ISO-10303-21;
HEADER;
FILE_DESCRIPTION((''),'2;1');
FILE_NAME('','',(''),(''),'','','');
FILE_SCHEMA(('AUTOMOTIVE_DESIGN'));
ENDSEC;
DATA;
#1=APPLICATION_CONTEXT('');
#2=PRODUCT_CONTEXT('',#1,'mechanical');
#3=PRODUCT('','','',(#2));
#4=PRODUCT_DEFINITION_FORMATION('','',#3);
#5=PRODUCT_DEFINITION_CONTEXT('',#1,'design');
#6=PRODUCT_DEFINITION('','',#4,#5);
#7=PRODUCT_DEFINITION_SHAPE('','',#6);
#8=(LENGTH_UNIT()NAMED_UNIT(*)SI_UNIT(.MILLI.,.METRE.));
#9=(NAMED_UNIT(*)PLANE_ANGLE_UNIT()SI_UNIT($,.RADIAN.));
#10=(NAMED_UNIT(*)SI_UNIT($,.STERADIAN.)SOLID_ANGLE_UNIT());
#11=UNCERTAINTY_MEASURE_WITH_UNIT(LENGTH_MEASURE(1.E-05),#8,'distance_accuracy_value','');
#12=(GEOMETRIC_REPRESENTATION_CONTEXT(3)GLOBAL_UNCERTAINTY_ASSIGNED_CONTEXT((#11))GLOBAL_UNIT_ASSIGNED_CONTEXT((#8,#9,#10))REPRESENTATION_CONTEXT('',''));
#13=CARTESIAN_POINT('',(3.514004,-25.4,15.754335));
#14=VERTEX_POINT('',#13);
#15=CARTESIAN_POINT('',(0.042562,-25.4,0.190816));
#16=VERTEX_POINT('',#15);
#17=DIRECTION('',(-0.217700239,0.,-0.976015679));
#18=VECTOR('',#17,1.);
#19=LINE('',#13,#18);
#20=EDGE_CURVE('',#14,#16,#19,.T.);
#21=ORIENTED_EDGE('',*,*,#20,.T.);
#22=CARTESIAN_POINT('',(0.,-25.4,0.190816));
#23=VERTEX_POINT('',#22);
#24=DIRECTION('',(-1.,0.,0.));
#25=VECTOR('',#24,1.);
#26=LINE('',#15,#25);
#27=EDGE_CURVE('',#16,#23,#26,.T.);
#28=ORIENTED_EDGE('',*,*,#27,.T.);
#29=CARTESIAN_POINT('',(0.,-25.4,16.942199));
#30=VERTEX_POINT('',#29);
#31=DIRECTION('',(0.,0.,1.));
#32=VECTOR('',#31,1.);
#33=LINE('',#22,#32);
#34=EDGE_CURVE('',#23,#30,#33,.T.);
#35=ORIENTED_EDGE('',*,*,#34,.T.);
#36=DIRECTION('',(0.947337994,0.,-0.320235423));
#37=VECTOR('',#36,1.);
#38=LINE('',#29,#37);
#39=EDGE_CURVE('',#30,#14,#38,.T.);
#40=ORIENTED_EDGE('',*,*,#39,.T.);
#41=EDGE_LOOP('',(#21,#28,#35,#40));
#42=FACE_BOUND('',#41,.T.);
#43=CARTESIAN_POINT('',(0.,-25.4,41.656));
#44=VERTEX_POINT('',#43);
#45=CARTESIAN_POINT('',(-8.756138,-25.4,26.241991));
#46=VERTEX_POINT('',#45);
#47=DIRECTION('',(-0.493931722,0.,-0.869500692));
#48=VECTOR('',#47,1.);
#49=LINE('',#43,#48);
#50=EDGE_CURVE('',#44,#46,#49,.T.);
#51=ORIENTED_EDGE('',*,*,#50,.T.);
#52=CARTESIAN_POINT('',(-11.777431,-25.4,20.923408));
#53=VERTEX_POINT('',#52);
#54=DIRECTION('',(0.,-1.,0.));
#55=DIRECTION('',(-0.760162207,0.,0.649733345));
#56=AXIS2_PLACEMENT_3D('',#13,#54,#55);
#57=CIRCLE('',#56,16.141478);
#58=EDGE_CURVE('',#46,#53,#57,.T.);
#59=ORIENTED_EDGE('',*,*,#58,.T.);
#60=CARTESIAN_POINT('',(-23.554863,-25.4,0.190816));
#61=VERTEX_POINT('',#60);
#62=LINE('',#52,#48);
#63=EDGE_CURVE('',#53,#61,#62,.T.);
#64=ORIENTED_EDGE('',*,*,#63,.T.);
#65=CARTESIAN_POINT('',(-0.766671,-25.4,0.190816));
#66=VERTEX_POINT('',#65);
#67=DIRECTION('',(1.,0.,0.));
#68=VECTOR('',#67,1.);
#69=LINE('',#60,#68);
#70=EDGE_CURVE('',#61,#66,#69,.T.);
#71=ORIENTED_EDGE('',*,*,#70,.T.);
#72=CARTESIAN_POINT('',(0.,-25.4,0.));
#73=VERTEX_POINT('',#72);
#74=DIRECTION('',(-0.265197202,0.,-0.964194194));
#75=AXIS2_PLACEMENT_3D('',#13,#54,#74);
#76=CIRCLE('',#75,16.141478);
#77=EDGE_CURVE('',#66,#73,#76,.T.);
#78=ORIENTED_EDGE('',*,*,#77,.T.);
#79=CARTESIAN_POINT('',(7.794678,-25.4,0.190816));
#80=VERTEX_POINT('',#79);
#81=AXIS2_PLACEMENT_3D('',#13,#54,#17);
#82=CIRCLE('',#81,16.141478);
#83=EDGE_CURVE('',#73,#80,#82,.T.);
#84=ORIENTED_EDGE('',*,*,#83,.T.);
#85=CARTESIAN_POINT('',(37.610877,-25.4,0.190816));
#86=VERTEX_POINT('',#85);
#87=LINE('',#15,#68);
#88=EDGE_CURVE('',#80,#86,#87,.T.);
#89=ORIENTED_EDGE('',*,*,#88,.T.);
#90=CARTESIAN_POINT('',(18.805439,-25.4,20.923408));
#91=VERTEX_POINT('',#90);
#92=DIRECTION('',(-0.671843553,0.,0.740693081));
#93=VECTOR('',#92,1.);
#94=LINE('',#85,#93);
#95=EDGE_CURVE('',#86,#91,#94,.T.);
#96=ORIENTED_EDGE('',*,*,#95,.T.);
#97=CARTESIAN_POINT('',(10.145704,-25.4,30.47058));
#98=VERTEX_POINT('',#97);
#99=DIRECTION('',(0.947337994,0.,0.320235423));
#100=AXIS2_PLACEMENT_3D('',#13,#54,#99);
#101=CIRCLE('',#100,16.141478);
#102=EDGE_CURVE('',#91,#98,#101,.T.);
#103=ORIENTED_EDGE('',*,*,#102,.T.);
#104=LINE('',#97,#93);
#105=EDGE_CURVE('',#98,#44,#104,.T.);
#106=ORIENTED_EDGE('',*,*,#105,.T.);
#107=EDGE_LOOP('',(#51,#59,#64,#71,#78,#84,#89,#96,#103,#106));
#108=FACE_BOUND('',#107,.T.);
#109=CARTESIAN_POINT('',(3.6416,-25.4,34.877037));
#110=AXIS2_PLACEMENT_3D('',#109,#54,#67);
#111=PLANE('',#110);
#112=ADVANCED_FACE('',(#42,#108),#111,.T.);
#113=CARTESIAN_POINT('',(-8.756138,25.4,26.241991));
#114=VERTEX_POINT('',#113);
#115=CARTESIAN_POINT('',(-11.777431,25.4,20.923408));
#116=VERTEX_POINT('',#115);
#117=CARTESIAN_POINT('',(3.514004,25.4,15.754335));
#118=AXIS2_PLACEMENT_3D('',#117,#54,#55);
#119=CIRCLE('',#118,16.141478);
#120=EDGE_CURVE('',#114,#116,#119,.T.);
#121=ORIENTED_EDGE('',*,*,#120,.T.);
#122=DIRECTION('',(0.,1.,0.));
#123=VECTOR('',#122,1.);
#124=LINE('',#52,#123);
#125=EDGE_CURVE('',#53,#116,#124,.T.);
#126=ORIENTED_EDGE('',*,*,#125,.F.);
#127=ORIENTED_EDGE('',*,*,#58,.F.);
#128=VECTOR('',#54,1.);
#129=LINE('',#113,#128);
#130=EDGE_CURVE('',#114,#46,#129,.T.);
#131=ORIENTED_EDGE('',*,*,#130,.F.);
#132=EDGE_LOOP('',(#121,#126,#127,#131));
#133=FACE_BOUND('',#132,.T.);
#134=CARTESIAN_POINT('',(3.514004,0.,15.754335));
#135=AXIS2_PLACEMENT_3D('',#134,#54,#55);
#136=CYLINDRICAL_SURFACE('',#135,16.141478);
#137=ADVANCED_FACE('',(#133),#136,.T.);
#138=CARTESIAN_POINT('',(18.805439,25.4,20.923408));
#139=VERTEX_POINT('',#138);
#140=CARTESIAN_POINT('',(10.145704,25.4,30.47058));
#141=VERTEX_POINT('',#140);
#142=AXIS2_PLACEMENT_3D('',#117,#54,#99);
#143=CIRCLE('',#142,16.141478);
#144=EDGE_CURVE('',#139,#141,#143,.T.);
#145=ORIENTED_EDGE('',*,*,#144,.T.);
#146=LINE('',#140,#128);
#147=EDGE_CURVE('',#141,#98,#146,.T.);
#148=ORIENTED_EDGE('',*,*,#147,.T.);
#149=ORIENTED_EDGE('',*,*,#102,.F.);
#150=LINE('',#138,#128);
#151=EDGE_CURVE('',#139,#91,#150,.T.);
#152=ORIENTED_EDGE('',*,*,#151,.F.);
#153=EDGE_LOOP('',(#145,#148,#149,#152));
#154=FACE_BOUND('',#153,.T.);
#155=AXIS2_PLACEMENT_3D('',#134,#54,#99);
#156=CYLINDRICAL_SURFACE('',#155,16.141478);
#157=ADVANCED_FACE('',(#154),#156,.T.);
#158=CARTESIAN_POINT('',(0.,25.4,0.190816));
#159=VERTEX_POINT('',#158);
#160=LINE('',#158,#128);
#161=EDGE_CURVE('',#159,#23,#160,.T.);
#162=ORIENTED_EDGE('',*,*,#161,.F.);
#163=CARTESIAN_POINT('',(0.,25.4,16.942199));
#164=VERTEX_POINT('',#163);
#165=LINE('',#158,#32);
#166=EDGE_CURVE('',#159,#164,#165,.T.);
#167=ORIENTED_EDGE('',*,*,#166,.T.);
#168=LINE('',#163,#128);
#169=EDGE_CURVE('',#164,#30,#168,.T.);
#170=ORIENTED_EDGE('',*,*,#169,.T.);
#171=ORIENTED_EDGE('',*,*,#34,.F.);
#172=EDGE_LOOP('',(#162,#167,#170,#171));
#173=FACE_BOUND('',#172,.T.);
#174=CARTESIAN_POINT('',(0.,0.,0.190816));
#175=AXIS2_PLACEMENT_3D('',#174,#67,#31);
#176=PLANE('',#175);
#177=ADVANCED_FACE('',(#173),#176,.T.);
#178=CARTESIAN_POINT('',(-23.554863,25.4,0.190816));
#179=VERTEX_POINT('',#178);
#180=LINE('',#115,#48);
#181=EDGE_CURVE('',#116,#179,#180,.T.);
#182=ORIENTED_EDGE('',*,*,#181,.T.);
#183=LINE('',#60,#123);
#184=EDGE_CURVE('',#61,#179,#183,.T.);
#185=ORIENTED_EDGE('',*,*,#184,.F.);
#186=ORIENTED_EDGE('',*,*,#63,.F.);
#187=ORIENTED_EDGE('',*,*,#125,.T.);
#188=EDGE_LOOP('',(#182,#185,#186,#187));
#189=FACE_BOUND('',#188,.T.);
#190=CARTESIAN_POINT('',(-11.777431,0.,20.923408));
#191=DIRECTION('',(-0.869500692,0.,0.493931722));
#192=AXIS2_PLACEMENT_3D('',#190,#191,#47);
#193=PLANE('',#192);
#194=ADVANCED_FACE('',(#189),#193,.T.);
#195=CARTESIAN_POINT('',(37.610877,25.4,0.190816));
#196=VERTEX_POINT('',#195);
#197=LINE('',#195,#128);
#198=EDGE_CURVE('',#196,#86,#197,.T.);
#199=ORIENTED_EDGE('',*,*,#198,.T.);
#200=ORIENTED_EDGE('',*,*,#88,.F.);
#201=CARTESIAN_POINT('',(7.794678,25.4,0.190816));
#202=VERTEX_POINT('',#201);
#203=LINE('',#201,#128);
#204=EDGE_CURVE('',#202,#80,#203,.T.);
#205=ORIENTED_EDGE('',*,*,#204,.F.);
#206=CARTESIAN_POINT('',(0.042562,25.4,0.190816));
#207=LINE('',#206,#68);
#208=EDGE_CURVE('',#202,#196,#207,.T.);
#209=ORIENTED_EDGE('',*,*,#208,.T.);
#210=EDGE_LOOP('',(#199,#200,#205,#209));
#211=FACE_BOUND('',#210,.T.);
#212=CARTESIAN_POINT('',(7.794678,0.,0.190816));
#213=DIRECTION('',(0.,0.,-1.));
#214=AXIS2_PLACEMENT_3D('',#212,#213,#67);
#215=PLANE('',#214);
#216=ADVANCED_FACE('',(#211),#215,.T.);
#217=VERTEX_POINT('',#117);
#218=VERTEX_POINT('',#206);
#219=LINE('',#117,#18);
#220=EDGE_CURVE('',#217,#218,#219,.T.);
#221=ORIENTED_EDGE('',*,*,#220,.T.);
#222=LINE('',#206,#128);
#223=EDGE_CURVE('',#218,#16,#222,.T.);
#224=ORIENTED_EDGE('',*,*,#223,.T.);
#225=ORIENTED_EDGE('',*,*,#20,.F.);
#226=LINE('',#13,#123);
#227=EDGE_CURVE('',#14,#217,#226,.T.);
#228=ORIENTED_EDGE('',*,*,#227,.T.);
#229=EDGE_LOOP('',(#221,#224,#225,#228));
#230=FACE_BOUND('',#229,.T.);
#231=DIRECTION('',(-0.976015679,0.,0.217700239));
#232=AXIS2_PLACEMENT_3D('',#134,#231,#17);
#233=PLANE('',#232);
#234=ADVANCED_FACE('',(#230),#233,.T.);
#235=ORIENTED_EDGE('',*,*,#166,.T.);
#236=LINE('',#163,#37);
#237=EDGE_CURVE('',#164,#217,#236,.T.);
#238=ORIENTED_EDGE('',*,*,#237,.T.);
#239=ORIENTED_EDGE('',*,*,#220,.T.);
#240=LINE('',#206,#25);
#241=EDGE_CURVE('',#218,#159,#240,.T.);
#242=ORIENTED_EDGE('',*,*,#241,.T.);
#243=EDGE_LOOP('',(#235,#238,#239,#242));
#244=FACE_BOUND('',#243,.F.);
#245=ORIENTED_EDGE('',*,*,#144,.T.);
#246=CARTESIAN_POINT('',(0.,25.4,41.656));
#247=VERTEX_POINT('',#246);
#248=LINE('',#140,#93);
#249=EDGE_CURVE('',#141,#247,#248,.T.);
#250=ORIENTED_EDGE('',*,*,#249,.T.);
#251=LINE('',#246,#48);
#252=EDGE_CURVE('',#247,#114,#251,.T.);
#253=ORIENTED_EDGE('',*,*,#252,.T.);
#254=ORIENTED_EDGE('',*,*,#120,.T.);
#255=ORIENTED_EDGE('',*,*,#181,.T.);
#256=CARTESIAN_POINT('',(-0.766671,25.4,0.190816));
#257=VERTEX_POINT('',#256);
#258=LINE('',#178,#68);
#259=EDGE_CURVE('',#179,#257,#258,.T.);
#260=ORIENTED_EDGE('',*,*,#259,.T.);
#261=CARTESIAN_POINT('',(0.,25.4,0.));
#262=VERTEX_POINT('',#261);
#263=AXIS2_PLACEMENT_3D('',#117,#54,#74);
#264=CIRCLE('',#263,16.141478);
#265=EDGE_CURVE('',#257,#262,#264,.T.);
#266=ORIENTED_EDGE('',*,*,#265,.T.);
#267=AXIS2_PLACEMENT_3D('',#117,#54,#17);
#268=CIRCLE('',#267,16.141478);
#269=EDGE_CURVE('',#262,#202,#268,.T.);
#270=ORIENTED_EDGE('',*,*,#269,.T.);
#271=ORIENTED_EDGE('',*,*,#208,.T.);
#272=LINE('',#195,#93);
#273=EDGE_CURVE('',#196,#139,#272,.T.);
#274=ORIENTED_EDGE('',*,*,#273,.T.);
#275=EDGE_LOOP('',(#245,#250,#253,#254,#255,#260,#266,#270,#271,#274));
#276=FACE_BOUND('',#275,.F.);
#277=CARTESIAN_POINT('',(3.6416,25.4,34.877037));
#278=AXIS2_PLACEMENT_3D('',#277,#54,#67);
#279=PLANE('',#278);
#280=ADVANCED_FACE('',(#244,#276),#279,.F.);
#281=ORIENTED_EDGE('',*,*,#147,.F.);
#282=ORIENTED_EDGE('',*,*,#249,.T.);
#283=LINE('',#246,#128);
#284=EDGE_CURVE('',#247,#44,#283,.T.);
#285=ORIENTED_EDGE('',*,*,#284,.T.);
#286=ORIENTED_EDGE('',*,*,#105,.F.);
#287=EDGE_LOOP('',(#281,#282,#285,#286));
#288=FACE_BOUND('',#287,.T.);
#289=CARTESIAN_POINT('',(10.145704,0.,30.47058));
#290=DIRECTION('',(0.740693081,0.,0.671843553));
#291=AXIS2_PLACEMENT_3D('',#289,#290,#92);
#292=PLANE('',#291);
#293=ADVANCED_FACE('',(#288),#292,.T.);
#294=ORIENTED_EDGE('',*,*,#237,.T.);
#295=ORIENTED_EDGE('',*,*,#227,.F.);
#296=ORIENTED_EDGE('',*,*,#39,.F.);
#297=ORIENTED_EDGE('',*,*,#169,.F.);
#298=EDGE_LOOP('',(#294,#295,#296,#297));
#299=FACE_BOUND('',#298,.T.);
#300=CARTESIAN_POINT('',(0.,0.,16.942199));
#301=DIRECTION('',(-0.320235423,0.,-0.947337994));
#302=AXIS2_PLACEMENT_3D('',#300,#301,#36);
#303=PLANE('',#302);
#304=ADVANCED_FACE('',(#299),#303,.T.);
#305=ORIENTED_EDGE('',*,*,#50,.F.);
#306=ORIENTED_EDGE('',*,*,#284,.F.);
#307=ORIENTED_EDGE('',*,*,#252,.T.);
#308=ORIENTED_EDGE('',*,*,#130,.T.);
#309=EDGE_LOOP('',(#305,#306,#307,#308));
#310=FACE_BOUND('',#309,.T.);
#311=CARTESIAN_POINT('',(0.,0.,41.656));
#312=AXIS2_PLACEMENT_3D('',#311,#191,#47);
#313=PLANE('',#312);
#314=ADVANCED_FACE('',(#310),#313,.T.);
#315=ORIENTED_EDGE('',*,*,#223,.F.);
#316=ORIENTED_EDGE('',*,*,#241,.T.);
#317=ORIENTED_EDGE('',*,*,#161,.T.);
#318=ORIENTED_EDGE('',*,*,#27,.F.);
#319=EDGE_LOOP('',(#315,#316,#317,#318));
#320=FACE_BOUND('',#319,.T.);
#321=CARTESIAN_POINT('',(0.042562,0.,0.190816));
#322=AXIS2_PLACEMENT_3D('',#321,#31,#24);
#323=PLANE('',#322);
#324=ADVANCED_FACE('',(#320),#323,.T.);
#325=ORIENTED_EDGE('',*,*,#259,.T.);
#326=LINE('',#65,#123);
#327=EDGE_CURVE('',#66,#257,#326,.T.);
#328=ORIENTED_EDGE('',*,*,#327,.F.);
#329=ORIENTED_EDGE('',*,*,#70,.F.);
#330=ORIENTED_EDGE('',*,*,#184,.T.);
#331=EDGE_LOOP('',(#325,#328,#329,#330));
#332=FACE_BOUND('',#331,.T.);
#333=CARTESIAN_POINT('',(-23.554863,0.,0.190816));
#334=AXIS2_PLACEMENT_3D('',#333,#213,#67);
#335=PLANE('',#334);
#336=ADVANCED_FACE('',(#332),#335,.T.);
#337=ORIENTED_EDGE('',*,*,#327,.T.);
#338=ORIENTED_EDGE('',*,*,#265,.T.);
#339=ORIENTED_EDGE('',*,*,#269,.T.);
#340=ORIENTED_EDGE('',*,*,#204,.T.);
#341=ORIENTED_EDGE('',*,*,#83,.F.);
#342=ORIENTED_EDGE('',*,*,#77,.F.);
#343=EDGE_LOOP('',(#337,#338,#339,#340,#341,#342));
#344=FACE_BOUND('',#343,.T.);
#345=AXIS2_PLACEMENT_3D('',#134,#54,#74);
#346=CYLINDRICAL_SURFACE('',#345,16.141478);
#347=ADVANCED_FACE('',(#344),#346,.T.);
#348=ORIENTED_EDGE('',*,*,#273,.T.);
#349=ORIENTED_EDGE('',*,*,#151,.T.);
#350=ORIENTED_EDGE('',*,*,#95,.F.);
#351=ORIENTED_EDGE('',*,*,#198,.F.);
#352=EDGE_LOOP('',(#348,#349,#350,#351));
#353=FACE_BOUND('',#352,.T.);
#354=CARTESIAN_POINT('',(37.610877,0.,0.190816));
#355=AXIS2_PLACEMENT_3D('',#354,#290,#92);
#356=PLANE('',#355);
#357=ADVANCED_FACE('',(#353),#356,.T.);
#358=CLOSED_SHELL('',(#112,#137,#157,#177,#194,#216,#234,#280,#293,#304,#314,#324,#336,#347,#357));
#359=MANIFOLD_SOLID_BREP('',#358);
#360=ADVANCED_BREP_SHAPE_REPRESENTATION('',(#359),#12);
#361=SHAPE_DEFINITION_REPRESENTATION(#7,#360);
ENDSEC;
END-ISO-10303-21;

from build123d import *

# Parameters (mm, degrees)
F1_DEPTH = 25.4


with BuildPart() as f1:
    # F0 (on Front) → F1 (new body, symmetric)
    with BuildSketch(Plane.XZ):
        with BuildLine():
            Line((10.1457036672, 30.470579724), (0, 41.656))
            Line((0, 41.656), (0, 31.508670436))
            ThreePointArc((0, 31.508670436), (5.1569935227, 31.8119777257), (10.1457036672, 30.470579724))
        make_face()
        with BuildLine():
            Line((0, 31.508670436), (0, 41.656))
            Line((0, 41.656), (-8.756137699, 26.2419914434))
            ThreePointArc((-8.756137699, 26.2419914434), (-4.8058091687, 29.5864722756), (0, 31.508670436))
        make_face()
        with BuildLine():
            ThreePointArc((10.1457036672, 30.470579724), (5.1569935227, 31.8119777257), (0, 31.508670436))
            Line((0, 31.508670436), (0, 16.9421989105))
            Line((0, 16.9421989105), (3.5140035349, 15.754335218))
            Line((3.5140035349, 15.754335218), (18.8054385349, 20.9234081179))
            Line((18.8054385349, 20.9234081179), (10.1457036672, 30.470579724))
        make_face()
        with BuildLine():
            Line((0, 16.9421989105), (0, 31.508670436))
            ThreePointArc((0, 31.508670436), (-4.8058091687, 29.5864722756), (-8.756137699, 26.2419914434))
            Line((-8.756137699, 26.2419914434), (-11.7774314651, 20.9234081179))
            Line((-11.7774314651, 20.9234081179), (0, 16.9421989105))
        make_face()
        with BuildLine():
            Line((-11.7774314651, 20.9234081179), (-8.756137699, 26.2419914434))
            ThreePointArc((-8.756137699, 26.2419914434), (-10.5210224099, 23.7271230448), (-11.7774314651, 20.9234081179))
        make_face()
        with BuildLine():
            ThreePointArc((18.8054385349, 20.9234081179), (15.4698843024, 26.5988828839), (10.1457036672, 30.470579724))
            Line((10.1457036672, 30.470579724), (18.8054385349, 20.9234081179))
        make_face()
        with BuildLine():
            Line((0, 0.1908162359), (0, 16.9421989105))
            Line((0, 16.9421989105), (-11.7774314651, 20.9234081179))
            ThreePointArc((-11.7774314651, 20.9234081179), (-10.7417658612, 8.1833156084), (-0.7666711662, 0.1908162359))
            Line((-0.7666711662, 0.1908162359), (0, 0.1908162359))
        make_face()
        with BuildLine():
            ThreePointArc((-0.7666711662, 0.1908162359), (-10.7417658612, 8.1833156084), (-11.7774314651, 20.9234081179))
            Line((-11.7774314651, 20.9234081179), (-23.5548629301, 0.1908162359))
            Line((-23.5548629301, 0.1908162359), (-0.7666711662, 0.1908162359))
        make_face()
        with BuildLine():
            Line((37.6108770699, 0.1908162359), (18.8054385349, 20.9234081179))
            ThreePointArc((18.8054385349, 20.9234081179), (19.4415528517, 18.3735854476), (19.6554811316, 15.754335218))
            ThreePointArc((19.6554811316, 15.754335218), (16.35230003, 5.9703972527), (7.7946782361, 0.1908162359))
            Line((7.7946782361, 0.1908162359), (37.6108770699, 0.1908162359))
        make_face()
        with BuildLine():
            ThreePointArc((19.6554811316, 15.754335218), (19.4415528517, 18.3735854476), (18.8054385349, 20.9234081179))
            Line((18.8054385349, 20.9234081179), (3.5140035349, 15.754335218))
            Line((3.5140035349, 15.754335218), (0.0425615501, 0.1908162359))
            Line((0.0425615501, 0.1908162359), (7.7946782361, 0.1908162359))
            ThreePointArc((7.7946782361, 0.1908162359), (16.35230003, 5.9703972527), (19.6554811316, 15.754335218))
        make_face()
        Polygon((0.0425615501, 0.1908162359), (0, 0.1908162359), (0, 0), align=None)
        with BuildLine():
            Line((0, 0), (0, 0.1908162359))
            Line((0, 0.1908162359), (-0.7666711662, 0.1908162359))
            ThreePointArc((-0.7666711662, 0.1908162359), (-0.3845032189, 0.0907167314), (0, 0))
        make_face()
        with BuildLine():
            Line((0.0425615501, 0.1908162359), (0, 0))
            ThreePointArc((0, 0), (3.9090337594, -0.3823078693), (7.7946782361, 0.1908162359))
            Line((7.7946782361, 0.1908162359), (0.0425615501, 0.1908162359))
        make_face()
    extrude(amount=F1_DEPTH, both=True)


solid = f1.part
